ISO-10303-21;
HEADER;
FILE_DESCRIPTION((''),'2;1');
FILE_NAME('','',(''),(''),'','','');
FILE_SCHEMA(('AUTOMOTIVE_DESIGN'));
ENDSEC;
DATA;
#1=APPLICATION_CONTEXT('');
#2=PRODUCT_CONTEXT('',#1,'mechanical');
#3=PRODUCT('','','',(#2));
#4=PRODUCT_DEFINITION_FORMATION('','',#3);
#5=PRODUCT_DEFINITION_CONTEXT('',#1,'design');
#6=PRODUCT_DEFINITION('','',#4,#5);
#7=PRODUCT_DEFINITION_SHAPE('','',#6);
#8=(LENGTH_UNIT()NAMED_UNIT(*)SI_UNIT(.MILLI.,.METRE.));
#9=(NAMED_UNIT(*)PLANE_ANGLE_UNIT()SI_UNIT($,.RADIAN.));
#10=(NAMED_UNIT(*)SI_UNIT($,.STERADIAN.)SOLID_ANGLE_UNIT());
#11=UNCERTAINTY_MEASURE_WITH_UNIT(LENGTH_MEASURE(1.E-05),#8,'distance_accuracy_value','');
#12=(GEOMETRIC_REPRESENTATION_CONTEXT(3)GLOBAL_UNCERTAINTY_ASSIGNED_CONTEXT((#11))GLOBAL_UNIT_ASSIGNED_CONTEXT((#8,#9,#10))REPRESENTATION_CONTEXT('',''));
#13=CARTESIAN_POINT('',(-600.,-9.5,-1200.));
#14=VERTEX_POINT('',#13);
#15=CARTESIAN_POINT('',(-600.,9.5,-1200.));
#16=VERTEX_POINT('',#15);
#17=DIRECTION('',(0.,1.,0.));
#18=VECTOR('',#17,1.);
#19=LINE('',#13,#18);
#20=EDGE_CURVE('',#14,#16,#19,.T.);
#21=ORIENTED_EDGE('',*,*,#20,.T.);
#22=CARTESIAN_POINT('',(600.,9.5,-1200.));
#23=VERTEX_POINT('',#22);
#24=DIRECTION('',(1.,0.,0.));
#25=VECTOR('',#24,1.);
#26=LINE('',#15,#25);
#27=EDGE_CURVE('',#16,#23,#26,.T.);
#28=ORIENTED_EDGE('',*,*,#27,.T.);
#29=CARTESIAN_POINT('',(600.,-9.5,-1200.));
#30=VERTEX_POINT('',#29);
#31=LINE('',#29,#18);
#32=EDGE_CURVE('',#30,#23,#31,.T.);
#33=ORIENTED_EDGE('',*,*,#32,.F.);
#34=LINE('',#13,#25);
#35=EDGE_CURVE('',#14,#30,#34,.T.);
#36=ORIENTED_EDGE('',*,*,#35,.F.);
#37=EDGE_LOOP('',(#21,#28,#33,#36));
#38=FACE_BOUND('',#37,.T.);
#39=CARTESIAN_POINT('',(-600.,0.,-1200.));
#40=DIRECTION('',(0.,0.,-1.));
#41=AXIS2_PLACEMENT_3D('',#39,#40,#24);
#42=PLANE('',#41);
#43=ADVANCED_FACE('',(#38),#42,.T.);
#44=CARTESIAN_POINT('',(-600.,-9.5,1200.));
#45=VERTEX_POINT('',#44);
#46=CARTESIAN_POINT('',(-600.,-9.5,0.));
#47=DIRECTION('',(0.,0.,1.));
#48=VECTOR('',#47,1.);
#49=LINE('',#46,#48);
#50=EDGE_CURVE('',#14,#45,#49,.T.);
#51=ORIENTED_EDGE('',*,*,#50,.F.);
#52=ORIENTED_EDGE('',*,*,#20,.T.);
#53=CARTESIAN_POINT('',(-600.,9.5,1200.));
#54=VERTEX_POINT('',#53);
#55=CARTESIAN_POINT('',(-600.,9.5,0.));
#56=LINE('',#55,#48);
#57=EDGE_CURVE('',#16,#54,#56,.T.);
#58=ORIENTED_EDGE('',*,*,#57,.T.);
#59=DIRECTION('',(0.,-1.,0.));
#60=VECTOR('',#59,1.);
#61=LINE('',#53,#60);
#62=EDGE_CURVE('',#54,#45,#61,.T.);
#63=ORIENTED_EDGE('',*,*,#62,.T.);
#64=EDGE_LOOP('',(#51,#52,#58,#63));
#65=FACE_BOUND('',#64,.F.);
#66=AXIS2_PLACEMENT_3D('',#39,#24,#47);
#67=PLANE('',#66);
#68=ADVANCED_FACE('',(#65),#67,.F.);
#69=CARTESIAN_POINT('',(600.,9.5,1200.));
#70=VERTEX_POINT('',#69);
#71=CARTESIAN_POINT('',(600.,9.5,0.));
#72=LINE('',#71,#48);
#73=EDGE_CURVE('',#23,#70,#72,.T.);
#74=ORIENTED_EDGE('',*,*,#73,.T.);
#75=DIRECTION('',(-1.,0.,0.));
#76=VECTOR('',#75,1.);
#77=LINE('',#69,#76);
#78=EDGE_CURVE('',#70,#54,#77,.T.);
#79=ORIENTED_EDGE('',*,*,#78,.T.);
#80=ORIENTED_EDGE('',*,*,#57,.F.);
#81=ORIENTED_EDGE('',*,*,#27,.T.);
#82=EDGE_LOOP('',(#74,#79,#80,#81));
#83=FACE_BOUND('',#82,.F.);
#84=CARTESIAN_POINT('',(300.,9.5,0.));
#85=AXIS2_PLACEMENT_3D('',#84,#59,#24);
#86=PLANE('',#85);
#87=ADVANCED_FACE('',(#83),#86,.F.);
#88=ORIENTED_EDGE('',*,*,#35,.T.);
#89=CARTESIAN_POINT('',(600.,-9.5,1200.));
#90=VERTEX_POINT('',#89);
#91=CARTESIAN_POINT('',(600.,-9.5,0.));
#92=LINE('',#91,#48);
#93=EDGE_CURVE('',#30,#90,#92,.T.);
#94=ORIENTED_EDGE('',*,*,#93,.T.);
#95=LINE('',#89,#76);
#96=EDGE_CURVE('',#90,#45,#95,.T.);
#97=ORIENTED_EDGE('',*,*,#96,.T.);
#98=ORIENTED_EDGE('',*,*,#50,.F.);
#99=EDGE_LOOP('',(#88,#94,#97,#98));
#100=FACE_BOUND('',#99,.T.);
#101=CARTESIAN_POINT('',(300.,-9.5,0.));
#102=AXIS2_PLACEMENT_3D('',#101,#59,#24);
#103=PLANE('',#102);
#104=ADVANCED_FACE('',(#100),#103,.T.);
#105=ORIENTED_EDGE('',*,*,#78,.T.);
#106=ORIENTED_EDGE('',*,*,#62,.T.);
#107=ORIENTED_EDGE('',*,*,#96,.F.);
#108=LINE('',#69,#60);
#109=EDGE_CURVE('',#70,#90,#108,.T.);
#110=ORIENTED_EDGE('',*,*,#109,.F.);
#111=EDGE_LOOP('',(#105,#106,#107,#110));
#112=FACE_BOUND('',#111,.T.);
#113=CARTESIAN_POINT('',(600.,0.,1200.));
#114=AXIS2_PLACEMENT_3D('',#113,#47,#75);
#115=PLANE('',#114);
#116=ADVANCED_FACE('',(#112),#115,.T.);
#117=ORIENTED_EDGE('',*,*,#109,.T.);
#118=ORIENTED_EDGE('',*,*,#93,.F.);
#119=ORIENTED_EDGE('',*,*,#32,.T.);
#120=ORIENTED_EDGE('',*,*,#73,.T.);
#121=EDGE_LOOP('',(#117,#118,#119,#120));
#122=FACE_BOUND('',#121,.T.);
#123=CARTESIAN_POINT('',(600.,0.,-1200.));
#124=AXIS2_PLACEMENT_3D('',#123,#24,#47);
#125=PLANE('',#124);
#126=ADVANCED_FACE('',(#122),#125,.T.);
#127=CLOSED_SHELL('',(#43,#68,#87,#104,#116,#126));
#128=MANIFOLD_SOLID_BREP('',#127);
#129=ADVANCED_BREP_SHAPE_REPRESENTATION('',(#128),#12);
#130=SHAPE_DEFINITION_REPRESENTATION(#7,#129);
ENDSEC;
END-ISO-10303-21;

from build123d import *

# Parameters (mm, degrees)
F0_W     = 600
F0_H     = 2400
F1_DEPTH = 9.5


with BuildPart() as f1:
    # F0 (on Front) → F1 (new body, symmetric)
    with BuildSketch(Plane.XZ):
        with Locations((300, 0)):
            Rectangle(F0_W, F0_H)
        with Locations((-300, 0)):
            Rectangle(F0_W, F0_H)
    extrude(amount=F1_DEPTH, both=True)


solid = f1.part
